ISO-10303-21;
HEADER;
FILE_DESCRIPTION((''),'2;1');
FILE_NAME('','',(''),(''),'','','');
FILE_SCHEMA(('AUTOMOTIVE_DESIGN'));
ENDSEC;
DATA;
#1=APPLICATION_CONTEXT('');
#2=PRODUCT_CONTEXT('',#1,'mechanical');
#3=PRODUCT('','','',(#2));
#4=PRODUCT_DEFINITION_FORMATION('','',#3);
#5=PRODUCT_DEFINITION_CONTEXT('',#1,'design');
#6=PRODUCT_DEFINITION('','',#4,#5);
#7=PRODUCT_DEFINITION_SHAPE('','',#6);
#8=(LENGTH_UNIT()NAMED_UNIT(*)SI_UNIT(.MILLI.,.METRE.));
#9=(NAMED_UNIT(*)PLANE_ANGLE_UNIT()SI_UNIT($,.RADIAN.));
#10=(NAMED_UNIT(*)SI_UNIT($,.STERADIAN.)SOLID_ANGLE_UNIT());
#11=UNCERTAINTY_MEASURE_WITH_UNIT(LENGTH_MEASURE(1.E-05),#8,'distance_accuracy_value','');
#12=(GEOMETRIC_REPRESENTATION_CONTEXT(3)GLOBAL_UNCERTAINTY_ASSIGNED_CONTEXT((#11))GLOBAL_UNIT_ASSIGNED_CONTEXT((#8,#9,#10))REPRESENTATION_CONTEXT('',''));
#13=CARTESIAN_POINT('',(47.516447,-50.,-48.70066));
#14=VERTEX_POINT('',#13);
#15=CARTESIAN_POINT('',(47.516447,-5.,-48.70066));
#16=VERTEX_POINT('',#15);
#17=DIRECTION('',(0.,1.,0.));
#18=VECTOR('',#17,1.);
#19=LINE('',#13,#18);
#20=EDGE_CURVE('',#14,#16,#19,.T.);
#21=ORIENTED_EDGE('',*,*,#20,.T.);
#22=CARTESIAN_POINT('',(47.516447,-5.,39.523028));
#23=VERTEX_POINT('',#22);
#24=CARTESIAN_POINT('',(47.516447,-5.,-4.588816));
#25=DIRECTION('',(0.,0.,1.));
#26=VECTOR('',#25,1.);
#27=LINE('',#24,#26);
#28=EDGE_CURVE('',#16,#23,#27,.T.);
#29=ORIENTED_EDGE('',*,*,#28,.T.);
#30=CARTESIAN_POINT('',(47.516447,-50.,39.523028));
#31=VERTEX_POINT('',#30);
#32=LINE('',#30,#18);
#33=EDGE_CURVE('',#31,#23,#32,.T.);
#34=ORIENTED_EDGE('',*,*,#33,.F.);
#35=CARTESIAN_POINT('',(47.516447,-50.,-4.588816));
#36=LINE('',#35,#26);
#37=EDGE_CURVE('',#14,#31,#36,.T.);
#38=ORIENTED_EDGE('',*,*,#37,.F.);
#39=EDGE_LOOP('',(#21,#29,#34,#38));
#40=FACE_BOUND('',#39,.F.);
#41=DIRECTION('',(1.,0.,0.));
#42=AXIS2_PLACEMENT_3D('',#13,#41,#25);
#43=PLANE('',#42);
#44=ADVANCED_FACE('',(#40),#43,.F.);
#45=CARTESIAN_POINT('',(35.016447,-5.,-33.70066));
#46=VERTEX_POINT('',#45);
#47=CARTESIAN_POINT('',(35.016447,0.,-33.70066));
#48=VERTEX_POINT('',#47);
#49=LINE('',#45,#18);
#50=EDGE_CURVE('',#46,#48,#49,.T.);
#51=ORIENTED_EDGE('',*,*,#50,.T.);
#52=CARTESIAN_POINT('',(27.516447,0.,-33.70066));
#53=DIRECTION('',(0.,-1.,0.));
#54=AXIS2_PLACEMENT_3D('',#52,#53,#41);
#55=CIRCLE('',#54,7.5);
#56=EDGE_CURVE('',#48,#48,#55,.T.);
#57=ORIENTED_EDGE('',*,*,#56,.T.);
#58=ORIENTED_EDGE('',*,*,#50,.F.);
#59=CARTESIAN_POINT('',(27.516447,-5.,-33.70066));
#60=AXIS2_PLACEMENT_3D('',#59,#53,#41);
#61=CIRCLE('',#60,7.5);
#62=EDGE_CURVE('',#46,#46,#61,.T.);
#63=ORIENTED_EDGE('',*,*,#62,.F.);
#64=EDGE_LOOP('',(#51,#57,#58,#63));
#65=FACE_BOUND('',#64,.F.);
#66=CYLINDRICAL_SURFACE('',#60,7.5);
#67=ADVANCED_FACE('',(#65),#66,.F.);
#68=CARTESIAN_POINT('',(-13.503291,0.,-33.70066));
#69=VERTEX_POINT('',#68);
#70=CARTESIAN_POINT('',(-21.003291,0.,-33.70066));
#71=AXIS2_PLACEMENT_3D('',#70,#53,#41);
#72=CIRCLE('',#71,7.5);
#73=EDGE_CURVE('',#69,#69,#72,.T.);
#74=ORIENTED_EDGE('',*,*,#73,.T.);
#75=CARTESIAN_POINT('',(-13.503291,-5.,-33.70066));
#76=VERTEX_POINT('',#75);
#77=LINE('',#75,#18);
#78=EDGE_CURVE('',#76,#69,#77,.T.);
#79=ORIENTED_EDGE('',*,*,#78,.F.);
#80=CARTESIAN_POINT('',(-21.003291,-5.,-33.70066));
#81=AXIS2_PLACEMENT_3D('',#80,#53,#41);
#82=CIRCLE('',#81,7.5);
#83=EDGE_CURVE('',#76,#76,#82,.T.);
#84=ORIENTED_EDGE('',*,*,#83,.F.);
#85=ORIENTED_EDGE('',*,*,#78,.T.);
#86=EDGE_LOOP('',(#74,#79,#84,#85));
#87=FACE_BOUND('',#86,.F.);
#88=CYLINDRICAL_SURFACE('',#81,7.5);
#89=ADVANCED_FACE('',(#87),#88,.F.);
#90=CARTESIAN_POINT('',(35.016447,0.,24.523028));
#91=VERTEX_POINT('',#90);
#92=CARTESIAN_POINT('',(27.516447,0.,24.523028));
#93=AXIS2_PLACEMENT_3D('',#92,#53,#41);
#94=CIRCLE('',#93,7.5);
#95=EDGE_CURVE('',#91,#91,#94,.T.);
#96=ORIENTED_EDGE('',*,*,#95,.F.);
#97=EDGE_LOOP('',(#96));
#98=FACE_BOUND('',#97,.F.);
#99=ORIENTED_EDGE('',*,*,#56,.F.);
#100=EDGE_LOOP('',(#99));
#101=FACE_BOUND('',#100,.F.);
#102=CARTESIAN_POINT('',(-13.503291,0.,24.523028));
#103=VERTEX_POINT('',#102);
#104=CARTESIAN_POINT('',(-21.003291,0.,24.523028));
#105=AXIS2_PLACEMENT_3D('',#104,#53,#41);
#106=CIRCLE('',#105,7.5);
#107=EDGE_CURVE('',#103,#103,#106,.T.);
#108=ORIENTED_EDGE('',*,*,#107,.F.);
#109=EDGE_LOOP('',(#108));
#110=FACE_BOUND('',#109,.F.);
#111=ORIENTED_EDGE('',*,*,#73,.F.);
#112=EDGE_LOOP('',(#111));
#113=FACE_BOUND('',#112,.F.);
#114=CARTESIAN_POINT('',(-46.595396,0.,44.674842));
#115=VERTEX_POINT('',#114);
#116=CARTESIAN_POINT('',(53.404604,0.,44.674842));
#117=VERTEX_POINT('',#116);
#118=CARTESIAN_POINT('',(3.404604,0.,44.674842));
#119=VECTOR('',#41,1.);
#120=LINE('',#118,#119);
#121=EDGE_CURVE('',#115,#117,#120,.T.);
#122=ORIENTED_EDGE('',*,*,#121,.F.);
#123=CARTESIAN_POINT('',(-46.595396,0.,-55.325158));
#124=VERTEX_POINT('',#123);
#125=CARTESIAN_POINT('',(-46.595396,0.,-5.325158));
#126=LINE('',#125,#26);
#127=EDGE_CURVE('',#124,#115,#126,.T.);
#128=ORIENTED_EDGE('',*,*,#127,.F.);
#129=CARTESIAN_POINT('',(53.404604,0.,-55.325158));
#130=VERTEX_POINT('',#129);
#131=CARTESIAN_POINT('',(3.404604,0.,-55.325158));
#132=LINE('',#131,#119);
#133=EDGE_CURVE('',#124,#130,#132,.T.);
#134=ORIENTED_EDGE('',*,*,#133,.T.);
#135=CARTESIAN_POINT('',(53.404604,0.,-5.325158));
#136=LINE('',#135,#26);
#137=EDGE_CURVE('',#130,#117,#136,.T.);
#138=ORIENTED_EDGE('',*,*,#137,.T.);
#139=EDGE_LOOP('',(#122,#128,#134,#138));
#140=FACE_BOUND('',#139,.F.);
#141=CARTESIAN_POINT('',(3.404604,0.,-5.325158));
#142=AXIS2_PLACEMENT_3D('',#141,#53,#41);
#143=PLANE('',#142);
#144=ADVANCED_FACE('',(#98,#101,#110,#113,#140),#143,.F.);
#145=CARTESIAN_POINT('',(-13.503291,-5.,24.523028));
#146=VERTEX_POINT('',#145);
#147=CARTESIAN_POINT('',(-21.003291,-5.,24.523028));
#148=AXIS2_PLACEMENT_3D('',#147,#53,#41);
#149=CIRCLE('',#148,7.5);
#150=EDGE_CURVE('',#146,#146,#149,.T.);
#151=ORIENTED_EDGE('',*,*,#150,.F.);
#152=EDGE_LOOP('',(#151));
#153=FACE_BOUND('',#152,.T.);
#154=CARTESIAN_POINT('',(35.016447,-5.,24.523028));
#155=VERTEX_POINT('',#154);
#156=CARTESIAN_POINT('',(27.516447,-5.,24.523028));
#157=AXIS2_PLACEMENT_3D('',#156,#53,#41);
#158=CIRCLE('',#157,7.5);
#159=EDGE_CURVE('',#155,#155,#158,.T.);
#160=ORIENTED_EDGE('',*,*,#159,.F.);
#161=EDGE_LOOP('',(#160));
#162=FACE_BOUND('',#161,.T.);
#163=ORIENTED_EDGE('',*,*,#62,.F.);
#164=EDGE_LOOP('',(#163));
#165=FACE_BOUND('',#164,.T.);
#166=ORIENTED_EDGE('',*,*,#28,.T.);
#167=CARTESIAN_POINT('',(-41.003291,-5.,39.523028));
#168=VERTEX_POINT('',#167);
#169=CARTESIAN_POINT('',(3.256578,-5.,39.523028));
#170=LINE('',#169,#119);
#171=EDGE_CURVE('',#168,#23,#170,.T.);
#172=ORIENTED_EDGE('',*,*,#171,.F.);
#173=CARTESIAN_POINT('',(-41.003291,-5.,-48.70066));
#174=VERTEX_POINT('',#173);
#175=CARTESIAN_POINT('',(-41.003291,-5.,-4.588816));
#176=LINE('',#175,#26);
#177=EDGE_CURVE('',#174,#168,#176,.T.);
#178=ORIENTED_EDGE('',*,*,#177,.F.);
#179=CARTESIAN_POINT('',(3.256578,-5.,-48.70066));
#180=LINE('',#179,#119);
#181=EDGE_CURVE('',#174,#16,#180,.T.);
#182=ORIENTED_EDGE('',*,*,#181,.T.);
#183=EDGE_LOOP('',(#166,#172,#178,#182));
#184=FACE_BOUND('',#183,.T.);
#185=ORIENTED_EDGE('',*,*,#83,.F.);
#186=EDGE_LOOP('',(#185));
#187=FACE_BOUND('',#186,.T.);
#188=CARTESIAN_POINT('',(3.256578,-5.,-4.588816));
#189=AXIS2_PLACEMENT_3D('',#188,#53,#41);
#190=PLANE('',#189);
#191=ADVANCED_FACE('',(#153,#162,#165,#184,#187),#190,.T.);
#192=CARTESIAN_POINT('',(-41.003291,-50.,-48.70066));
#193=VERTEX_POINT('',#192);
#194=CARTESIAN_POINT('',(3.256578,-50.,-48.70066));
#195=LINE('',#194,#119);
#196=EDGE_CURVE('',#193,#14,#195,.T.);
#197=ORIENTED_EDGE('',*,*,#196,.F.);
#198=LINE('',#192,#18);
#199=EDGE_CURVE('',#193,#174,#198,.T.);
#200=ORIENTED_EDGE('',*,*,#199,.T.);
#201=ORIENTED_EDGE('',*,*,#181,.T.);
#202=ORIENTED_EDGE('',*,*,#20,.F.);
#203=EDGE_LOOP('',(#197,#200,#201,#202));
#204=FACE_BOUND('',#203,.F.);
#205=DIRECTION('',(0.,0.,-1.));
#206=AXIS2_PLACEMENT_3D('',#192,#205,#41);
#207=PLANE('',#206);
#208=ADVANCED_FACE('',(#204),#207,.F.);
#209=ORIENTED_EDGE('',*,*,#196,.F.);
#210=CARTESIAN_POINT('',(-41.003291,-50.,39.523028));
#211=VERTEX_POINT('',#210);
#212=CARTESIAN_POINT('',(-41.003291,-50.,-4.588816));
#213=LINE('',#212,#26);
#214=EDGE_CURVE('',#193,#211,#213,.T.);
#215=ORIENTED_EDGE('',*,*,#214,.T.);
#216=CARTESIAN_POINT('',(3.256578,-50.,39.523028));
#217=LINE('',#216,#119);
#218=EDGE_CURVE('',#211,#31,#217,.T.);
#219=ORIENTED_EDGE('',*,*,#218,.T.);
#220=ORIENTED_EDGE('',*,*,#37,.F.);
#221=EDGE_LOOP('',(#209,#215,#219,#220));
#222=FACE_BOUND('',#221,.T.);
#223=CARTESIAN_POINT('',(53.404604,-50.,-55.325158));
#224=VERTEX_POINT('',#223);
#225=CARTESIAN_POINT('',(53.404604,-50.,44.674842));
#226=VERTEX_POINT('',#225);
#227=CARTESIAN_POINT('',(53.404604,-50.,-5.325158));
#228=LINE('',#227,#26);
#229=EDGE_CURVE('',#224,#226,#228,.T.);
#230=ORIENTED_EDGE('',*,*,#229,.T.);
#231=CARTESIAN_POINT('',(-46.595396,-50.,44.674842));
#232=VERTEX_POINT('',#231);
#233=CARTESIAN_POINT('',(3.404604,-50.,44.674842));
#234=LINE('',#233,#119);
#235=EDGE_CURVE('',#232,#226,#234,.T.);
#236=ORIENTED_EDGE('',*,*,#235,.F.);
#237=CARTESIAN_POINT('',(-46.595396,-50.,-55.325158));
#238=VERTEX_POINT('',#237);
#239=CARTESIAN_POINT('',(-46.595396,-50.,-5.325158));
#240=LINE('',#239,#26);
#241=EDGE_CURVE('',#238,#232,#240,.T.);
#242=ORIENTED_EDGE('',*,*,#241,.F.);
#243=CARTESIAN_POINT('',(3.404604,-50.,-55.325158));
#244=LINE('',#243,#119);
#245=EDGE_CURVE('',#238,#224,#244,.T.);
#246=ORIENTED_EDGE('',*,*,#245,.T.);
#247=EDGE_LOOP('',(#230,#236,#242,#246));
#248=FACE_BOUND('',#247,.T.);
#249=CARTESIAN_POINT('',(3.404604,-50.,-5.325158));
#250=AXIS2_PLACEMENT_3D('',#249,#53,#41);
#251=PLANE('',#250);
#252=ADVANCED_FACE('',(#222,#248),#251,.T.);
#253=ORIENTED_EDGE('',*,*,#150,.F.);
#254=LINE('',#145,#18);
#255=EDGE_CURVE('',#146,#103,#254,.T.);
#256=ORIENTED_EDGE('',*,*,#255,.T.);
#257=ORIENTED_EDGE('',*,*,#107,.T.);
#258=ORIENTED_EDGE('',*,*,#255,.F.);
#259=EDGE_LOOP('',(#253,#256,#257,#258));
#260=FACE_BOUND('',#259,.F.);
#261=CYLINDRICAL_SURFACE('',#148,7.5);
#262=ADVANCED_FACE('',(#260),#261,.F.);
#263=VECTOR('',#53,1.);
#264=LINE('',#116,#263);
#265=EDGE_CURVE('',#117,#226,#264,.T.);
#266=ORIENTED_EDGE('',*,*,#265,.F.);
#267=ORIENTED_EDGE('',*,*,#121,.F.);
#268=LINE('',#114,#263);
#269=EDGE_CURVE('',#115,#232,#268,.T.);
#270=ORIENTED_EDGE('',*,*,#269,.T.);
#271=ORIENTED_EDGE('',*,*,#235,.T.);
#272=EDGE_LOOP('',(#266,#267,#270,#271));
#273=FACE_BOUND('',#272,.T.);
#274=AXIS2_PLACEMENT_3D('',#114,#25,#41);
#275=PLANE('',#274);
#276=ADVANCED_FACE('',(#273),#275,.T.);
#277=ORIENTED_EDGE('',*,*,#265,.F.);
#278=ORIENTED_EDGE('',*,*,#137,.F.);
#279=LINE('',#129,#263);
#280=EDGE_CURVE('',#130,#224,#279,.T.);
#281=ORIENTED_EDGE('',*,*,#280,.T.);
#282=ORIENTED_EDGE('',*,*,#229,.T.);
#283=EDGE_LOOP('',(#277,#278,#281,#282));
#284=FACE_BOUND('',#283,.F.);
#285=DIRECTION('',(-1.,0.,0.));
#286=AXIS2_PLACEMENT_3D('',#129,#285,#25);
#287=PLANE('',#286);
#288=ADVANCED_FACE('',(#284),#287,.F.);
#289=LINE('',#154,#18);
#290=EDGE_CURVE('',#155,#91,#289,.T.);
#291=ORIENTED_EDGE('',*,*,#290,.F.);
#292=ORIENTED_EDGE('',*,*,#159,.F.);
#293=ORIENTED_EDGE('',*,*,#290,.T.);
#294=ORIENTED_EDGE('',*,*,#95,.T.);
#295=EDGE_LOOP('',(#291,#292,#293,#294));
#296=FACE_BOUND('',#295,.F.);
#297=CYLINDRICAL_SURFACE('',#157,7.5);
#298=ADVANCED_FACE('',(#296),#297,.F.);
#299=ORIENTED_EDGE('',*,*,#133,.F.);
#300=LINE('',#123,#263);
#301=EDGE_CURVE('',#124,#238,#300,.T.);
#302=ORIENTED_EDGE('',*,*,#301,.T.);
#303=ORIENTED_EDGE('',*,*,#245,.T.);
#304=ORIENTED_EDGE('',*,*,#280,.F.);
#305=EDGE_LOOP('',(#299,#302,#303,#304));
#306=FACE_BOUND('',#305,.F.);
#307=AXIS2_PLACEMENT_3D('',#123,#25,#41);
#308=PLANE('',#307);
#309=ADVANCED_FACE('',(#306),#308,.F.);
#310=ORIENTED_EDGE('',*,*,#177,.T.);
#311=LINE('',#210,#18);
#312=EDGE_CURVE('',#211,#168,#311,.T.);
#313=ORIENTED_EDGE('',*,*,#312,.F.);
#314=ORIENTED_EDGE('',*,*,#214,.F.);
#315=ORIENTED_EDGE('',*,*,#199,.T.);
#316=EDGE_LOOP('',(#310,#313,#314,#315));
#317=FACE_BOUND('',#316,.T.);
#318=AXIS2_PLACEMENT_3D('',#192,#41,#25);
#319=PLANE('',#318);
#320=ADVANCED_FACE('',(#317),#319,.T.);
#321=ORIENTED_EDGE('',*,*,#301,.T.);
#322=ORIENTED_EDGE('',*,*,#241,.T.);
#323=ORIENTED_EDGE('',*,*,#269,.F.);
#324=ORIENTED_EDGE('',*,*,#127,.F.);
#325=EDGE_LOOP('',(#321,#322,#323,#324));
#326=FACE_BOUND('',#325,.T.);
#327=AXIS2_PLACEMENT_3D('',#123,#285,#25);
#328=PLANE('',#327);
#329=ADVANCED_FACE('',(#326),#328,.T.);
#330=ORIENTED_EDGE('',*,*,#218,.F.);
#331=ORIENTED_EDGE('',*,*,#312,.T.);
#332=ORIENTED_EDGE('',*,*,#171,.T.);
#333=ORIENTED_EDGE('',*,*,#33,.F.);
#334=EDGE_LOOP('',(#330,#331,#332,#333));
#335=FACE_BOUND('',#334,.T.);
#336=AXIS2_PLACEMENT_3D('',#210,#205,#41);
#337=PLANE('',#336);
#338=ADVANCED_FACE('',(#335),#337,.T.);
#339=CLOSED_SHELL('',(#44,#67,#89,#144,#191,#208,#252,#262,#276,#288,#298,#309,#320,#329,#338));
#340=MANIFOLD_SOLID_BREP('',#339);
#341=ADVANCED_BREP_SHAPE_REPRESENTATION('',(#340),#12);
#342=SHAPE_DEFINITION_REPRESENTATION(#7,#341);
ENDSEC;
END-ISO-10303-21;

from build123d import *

# Parameters (mm, degrees)
F0_W     = 100
F0_H     = 100
F1_DEPTH = 50
F2_W     = 88.519738
F2_H     = 88.223688
F3_DEPTH = 45
F4_R     = 7.5
F5_DEPTH = 25


with BuildPart() as f1:
    # F0 (on Front) → F1 (new body)
    with BuildSketch(Plane.XZ):
        with Locations((3.404604, -5.325158)):
            Rectangle(F0_W, F0_H)
    extrude(amount=F1_DEPTH)

    # F2 (on face) → F3 (cut)
    with BuildSketch(Plane.XZ.offset(50)):
        with Locations((3.256578, -4.588816)):
            Rectangle(F2_W, F2_H)
    extrude(amount=-F3_DEPTH, mode=Mode.SUBTRACT)

    # F4 (on face) → F5 (cut)
    with BuildSketch(Plane.XZ.offset(5)):
        with Locations((-21.003291, 24.523028)):
            Circle(F4_R)
        with Locations((27.516447, 24.523028)):
            Circle(F4_R)
        with Locations((27.516447, -33.70066)):
            Circle(F4_R)
        with Locations((-21.003291, -33.70066)):
            Circle(F4_R)
    extrude(amount=-F5_DEPTH, mode=Mode.SUBTRACT)


solid = f1.part
